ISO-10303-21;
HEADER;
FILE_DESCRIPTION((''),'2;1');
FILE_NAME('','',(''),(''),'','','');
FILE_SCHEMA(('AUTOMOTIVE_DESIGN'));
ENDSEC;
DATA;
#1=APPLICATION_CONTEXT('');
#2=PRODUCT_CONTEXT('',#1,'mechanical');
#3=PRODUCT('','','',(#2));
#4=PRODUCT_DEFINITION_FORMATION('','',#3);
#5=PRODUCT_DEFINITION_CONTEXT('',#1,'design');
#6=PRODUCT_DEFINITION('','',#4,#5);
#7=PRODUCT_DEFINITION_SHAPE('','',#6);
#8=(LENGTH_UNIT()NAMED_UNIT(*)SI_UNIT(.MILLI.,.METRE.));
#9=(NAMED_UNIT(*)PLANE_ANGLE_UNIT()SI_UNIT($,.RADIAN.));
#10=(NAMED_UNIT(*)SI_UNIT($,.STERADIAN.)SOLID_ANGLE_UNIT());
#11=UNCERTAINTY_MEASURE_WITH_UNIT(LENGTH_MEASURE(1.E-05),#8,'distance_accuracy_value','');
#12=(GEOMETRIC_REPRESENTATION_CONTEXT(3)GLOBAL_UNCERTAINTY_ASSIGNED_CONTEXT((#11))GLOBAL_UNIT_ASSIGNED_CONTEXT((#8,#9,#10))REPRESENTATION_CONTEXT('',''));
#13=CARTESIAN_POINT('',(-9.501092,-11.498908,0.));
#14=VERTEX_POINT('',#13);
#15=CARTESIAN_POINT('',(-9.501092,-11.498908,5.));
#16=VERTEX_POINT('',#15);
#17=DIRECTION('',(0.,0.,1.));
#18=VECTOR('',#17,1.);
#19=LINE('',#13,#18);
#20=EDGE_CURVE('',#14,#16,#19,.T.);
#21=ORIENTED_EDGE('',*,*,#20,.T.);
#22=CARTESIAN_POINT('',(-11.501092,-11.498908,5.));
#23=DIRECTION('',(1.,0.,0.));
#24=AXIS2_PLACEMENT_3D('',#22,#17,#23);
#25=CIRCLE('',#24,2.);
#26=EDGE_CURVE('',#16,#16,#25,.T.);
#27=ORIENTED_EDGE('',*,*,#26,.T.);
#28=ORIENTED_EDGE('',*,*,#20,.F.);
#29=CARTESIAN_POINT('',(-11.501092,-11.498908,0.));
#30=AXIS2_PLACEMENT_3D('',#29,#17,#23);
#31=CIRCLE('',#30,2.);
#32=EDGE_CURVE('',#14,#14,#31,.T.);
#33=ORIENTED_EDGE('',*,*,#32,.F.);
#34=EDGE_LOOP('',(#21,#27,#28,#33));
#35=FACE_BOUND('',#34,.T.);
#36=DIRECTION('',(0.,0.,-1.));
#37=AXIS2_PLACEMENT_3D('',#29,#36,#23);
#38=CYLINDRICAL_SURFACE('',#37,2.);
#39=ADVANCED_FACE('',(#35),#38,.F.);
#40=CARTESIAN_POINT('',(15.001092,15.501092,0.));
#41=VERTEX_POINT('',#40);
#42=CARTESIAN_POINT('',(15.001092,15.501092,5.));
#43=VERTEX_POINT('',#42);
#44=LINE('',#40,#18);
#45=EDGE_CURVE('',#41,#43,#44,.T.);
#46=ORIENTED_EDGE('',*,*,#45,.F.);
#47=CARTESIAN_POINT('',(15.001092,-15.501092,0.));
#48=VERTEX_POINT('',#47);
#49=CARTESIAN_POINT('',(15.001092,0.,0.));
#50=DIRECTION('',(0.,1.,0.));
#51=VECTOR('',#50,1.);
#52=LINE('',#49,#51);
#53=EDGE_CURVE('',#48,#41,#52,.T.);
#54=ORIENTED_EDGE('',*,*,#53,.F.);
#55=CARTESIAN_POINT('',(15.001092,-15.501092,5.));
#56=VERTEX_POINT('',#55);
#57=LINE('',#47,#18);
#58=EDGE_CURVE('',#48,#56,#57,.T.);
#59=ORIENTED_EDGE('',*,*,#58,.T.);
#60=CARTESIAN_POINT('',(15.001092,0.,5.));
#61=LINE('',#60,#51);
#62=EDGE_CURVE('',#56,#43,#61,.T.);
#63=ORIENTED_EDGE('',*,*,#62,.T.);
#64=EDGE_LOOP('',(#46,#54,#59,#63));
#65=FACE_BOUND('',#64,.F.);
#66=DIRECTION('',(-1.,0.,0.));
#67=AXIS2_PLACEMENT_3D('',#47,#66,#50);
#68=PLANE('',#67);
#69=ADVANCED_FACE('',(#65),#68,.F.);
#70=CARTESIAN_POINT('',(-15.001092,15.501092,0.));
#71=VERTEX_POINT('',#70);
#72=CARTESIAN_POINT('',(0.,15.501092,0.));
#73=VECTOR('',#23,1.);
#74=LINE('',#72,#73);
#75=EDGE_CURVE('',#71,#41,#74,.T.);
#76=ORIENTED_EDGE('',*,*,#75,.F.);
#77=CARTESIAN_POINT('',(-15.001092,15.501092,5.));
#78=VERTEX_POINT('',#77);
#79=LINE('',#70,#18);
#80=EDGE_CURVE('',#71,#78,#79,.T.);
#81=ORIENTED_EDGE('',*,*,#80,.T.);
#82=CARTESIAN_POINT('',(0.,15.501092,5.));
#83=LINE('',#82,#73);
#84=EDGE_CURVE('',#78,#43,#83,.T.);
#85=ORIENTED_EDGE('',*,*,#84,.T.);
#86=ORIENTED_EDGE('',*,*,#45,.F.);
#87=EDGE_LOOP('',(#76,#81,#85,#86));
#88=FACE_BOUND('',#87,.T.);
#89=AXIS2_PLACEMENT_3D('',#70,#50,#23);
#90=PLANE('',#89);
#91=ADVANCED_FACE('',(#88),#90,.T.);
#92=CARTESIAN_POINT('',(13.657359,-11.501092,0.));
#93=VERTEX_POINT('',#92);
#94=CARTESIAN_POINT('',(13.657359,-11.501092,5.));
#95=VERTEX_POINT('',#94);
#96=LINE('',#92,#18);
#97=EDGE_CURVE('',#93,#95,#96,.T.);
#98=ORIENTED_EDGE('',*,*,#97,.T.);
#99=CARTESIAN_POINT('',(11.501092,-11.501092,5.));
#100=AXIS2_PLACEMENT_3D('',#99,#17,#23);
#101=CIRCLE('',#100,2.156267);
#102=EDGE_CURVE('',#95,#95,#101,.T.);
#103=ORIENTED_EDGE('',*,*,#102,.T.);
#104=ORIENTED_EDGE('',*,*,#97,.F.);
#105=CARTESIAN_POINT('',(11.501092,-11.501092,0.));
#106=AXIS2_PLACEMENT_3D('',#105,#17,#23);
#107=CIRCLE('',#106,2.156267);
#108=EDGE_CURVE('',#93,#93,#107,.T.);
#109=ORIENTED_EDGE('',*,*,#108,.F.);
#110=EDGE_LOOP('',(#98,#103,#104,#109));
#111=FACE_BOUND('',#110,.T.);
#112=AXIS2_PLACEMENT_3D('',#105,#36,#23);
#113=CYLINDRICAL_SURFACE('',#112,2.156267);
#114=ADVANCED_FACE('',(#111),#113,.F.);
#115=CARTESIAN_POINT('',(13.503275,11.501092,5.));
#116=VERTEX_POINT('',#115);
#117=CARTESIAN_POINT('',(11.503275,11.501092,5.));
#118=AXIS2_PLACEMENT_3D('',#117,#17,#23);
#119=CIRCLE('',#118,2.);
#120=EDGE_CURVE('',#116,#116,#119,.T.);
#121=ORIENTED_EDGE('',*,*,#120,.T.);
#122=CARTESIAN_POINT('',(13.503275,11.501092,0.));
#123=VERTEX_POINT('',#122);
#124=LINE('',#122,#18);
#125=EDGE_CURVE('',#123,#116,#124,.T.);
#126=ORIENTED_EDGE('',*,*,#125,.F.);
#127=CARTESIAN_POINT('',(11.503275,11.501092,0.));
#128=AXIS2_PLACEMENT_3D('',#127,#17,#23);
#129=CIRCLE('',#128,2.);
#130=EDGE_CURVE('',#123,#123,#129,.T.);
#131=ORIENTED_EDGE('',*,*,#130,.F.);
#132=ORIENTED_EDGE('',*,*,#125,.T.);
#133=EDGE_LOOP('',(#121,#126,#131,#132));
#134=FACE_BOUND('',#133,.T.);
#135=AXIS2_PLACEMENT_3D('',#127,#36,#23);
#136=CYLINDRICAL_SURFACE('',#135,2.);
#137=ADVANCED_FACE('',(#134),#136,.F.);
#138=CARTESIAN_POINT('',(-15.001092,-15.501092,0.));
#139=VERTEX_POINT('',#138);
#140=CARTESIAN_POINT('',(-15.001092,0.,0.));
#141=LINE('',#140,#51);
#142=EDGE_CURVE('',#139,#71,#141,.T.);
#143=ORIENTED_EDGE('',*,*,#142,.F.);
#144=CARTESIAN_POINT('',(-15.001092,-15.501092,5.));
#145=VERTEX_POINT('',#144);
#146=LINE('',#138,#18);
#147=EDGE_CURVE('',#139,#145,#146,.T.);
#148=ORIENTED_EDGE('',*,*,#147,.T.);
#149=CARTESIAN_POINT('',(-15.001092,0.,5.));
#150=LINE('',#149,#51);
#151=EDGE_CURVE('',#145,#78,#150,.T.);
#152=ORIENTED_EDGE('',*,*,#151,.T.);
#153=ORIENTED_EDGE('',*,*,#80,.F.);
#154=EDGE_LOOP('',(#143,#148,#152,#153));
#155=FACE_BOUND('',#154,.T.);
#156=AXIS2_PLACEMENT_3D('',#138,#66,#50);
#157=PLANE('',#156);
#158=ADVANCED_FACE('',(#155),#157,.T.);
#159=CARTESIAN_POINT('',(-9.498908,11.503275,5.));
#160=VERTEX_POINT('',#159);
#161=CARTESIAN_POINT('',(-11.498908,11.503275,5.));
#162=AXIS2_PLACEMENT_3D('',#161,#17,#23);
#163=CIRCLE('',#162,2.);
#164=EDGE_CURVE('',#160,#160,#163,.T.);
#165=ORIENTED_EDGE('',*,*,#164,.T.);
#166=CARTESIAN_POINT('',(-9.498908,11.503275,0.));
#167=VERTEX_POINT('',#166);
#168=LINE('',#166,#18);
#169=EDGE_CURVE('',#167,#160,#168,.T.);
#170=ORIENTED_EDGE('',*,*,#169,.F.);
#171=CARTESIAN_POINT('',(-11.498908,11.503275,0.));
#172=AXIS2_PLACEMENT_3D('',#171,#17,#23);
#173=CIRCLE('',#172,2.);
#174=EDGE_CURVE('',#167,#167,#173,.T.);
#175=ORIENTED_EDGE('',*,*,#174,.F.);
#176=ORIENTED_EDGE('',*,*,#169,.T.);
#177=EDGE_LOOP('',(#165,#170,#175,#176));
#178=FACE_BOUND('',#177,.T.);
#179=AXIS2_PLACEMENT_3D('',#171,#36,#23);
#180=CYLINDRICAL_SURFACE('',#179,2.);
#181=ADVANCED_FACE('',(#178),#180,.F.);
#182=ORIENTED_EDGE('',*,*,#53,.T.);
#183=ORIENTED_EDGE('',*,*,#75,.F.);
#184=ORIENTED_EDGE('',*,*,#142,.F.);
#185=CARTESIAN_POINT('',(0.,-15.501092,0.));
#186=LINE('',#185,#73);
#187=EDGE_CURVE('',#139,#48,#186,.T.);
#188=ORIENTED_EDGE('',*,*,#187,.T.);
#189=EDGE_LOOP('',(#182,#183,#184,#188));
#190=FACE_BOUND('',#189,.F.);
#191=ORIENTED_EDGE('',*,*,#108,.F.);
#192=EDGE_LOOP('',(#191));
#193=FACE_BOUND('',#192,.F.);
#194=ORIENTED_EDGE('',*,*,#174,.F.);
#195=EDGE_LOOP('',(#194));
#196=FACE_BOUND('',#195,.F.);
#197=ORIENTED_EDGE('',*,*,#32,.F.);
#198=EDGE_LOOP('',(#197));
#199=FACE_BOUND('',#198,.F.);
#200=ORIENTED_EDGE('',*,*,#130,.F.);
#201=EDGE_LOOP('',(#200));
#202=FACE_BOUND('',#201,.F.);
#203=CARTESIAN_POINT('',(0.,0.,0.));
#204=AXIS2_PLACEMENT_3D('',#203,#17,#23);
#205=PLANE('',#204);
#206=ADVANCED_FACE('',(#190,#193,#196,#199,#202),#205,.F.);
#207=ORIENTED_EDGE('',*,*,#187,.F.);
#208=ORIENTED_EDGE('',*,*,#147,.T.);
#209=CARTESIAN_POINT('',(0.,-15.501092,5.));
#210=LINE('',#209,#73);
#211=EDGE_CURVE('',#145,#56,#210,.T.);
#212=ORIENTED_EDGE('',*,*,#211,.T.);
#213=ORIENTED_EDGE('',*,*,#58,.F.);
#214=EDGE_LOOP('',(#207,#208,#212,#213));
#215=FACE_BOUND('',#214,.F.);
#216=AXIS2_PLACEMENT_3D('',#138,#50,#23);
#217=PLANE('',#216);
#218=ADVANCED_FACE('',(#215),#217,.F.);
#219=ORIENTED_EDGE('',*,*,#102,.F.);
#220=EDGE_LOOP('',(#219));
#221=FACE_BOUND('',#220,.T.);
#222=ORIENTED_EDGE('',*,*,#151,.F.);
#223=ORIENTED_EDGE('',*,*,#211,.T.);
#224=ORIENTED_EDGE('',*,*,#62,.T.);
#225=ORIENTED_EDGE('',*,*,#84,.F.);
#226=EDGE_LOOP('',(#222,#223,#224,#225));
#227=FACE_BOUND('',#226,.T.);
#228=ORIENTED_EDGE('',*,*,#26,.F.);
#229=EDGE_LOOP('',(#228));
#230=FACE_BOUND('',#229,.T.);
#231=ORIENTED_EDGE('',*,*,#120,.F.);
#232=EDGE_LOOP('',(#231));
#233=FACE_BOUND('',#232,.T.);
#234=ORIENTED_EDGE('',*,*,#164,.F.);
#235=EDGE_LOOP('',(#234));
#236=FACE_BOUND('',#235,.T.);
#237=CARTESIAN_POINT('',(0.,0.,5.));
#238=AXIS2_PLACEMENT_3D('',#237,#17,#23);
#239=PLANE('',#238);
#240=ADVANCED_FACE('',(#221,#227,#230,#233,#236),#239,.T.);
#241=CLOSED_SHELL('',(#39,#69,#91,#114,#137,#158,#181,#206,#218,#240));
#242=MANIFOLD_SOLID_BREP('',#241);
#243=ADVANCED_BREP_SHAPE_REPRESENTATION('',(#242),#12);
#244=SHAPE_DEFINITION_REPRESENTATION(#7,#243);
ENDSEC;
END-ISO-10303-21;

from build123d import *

# Parameters (mm, degrees)
SKETCH2_W           = 30.002183488
SKETCH2_H           = 31.002183488
SKETCH2_R           = 2
SKETCH2_R_2         = 2.156266898
BOSS_EXTRUDE1_DEPTH = 5


with BuildPart() as part:
    # Sketch2 → Boss-Extrude1 (new body)
    with BuildSketch(Plane.XY):
        Rectangle(SKETCH2_W, SKETCH2_H)
        with Locations((-11.498908256, 11.503275233)):
            Circle(SKETCH2_R, mode=Mode.SUBTRACT)
        with Locations((11.503275233, 11.501091744)):
            Circle(SKETCH2_R, mode=Mode.SUBTRACT)
        with Locations((-11.501091744, -11.498908256)):
            Circle(SKETCH2_R, mode=Mode.SUBTRACT)
        with Locations((11.501091744, -11.501091744)):
            Circle(SKETCH2_R_2, mode=Mode.SUBTRACT)
    extrude(amount=BOSS_EXTRUDE1_DEPTH)


solid = part.part
